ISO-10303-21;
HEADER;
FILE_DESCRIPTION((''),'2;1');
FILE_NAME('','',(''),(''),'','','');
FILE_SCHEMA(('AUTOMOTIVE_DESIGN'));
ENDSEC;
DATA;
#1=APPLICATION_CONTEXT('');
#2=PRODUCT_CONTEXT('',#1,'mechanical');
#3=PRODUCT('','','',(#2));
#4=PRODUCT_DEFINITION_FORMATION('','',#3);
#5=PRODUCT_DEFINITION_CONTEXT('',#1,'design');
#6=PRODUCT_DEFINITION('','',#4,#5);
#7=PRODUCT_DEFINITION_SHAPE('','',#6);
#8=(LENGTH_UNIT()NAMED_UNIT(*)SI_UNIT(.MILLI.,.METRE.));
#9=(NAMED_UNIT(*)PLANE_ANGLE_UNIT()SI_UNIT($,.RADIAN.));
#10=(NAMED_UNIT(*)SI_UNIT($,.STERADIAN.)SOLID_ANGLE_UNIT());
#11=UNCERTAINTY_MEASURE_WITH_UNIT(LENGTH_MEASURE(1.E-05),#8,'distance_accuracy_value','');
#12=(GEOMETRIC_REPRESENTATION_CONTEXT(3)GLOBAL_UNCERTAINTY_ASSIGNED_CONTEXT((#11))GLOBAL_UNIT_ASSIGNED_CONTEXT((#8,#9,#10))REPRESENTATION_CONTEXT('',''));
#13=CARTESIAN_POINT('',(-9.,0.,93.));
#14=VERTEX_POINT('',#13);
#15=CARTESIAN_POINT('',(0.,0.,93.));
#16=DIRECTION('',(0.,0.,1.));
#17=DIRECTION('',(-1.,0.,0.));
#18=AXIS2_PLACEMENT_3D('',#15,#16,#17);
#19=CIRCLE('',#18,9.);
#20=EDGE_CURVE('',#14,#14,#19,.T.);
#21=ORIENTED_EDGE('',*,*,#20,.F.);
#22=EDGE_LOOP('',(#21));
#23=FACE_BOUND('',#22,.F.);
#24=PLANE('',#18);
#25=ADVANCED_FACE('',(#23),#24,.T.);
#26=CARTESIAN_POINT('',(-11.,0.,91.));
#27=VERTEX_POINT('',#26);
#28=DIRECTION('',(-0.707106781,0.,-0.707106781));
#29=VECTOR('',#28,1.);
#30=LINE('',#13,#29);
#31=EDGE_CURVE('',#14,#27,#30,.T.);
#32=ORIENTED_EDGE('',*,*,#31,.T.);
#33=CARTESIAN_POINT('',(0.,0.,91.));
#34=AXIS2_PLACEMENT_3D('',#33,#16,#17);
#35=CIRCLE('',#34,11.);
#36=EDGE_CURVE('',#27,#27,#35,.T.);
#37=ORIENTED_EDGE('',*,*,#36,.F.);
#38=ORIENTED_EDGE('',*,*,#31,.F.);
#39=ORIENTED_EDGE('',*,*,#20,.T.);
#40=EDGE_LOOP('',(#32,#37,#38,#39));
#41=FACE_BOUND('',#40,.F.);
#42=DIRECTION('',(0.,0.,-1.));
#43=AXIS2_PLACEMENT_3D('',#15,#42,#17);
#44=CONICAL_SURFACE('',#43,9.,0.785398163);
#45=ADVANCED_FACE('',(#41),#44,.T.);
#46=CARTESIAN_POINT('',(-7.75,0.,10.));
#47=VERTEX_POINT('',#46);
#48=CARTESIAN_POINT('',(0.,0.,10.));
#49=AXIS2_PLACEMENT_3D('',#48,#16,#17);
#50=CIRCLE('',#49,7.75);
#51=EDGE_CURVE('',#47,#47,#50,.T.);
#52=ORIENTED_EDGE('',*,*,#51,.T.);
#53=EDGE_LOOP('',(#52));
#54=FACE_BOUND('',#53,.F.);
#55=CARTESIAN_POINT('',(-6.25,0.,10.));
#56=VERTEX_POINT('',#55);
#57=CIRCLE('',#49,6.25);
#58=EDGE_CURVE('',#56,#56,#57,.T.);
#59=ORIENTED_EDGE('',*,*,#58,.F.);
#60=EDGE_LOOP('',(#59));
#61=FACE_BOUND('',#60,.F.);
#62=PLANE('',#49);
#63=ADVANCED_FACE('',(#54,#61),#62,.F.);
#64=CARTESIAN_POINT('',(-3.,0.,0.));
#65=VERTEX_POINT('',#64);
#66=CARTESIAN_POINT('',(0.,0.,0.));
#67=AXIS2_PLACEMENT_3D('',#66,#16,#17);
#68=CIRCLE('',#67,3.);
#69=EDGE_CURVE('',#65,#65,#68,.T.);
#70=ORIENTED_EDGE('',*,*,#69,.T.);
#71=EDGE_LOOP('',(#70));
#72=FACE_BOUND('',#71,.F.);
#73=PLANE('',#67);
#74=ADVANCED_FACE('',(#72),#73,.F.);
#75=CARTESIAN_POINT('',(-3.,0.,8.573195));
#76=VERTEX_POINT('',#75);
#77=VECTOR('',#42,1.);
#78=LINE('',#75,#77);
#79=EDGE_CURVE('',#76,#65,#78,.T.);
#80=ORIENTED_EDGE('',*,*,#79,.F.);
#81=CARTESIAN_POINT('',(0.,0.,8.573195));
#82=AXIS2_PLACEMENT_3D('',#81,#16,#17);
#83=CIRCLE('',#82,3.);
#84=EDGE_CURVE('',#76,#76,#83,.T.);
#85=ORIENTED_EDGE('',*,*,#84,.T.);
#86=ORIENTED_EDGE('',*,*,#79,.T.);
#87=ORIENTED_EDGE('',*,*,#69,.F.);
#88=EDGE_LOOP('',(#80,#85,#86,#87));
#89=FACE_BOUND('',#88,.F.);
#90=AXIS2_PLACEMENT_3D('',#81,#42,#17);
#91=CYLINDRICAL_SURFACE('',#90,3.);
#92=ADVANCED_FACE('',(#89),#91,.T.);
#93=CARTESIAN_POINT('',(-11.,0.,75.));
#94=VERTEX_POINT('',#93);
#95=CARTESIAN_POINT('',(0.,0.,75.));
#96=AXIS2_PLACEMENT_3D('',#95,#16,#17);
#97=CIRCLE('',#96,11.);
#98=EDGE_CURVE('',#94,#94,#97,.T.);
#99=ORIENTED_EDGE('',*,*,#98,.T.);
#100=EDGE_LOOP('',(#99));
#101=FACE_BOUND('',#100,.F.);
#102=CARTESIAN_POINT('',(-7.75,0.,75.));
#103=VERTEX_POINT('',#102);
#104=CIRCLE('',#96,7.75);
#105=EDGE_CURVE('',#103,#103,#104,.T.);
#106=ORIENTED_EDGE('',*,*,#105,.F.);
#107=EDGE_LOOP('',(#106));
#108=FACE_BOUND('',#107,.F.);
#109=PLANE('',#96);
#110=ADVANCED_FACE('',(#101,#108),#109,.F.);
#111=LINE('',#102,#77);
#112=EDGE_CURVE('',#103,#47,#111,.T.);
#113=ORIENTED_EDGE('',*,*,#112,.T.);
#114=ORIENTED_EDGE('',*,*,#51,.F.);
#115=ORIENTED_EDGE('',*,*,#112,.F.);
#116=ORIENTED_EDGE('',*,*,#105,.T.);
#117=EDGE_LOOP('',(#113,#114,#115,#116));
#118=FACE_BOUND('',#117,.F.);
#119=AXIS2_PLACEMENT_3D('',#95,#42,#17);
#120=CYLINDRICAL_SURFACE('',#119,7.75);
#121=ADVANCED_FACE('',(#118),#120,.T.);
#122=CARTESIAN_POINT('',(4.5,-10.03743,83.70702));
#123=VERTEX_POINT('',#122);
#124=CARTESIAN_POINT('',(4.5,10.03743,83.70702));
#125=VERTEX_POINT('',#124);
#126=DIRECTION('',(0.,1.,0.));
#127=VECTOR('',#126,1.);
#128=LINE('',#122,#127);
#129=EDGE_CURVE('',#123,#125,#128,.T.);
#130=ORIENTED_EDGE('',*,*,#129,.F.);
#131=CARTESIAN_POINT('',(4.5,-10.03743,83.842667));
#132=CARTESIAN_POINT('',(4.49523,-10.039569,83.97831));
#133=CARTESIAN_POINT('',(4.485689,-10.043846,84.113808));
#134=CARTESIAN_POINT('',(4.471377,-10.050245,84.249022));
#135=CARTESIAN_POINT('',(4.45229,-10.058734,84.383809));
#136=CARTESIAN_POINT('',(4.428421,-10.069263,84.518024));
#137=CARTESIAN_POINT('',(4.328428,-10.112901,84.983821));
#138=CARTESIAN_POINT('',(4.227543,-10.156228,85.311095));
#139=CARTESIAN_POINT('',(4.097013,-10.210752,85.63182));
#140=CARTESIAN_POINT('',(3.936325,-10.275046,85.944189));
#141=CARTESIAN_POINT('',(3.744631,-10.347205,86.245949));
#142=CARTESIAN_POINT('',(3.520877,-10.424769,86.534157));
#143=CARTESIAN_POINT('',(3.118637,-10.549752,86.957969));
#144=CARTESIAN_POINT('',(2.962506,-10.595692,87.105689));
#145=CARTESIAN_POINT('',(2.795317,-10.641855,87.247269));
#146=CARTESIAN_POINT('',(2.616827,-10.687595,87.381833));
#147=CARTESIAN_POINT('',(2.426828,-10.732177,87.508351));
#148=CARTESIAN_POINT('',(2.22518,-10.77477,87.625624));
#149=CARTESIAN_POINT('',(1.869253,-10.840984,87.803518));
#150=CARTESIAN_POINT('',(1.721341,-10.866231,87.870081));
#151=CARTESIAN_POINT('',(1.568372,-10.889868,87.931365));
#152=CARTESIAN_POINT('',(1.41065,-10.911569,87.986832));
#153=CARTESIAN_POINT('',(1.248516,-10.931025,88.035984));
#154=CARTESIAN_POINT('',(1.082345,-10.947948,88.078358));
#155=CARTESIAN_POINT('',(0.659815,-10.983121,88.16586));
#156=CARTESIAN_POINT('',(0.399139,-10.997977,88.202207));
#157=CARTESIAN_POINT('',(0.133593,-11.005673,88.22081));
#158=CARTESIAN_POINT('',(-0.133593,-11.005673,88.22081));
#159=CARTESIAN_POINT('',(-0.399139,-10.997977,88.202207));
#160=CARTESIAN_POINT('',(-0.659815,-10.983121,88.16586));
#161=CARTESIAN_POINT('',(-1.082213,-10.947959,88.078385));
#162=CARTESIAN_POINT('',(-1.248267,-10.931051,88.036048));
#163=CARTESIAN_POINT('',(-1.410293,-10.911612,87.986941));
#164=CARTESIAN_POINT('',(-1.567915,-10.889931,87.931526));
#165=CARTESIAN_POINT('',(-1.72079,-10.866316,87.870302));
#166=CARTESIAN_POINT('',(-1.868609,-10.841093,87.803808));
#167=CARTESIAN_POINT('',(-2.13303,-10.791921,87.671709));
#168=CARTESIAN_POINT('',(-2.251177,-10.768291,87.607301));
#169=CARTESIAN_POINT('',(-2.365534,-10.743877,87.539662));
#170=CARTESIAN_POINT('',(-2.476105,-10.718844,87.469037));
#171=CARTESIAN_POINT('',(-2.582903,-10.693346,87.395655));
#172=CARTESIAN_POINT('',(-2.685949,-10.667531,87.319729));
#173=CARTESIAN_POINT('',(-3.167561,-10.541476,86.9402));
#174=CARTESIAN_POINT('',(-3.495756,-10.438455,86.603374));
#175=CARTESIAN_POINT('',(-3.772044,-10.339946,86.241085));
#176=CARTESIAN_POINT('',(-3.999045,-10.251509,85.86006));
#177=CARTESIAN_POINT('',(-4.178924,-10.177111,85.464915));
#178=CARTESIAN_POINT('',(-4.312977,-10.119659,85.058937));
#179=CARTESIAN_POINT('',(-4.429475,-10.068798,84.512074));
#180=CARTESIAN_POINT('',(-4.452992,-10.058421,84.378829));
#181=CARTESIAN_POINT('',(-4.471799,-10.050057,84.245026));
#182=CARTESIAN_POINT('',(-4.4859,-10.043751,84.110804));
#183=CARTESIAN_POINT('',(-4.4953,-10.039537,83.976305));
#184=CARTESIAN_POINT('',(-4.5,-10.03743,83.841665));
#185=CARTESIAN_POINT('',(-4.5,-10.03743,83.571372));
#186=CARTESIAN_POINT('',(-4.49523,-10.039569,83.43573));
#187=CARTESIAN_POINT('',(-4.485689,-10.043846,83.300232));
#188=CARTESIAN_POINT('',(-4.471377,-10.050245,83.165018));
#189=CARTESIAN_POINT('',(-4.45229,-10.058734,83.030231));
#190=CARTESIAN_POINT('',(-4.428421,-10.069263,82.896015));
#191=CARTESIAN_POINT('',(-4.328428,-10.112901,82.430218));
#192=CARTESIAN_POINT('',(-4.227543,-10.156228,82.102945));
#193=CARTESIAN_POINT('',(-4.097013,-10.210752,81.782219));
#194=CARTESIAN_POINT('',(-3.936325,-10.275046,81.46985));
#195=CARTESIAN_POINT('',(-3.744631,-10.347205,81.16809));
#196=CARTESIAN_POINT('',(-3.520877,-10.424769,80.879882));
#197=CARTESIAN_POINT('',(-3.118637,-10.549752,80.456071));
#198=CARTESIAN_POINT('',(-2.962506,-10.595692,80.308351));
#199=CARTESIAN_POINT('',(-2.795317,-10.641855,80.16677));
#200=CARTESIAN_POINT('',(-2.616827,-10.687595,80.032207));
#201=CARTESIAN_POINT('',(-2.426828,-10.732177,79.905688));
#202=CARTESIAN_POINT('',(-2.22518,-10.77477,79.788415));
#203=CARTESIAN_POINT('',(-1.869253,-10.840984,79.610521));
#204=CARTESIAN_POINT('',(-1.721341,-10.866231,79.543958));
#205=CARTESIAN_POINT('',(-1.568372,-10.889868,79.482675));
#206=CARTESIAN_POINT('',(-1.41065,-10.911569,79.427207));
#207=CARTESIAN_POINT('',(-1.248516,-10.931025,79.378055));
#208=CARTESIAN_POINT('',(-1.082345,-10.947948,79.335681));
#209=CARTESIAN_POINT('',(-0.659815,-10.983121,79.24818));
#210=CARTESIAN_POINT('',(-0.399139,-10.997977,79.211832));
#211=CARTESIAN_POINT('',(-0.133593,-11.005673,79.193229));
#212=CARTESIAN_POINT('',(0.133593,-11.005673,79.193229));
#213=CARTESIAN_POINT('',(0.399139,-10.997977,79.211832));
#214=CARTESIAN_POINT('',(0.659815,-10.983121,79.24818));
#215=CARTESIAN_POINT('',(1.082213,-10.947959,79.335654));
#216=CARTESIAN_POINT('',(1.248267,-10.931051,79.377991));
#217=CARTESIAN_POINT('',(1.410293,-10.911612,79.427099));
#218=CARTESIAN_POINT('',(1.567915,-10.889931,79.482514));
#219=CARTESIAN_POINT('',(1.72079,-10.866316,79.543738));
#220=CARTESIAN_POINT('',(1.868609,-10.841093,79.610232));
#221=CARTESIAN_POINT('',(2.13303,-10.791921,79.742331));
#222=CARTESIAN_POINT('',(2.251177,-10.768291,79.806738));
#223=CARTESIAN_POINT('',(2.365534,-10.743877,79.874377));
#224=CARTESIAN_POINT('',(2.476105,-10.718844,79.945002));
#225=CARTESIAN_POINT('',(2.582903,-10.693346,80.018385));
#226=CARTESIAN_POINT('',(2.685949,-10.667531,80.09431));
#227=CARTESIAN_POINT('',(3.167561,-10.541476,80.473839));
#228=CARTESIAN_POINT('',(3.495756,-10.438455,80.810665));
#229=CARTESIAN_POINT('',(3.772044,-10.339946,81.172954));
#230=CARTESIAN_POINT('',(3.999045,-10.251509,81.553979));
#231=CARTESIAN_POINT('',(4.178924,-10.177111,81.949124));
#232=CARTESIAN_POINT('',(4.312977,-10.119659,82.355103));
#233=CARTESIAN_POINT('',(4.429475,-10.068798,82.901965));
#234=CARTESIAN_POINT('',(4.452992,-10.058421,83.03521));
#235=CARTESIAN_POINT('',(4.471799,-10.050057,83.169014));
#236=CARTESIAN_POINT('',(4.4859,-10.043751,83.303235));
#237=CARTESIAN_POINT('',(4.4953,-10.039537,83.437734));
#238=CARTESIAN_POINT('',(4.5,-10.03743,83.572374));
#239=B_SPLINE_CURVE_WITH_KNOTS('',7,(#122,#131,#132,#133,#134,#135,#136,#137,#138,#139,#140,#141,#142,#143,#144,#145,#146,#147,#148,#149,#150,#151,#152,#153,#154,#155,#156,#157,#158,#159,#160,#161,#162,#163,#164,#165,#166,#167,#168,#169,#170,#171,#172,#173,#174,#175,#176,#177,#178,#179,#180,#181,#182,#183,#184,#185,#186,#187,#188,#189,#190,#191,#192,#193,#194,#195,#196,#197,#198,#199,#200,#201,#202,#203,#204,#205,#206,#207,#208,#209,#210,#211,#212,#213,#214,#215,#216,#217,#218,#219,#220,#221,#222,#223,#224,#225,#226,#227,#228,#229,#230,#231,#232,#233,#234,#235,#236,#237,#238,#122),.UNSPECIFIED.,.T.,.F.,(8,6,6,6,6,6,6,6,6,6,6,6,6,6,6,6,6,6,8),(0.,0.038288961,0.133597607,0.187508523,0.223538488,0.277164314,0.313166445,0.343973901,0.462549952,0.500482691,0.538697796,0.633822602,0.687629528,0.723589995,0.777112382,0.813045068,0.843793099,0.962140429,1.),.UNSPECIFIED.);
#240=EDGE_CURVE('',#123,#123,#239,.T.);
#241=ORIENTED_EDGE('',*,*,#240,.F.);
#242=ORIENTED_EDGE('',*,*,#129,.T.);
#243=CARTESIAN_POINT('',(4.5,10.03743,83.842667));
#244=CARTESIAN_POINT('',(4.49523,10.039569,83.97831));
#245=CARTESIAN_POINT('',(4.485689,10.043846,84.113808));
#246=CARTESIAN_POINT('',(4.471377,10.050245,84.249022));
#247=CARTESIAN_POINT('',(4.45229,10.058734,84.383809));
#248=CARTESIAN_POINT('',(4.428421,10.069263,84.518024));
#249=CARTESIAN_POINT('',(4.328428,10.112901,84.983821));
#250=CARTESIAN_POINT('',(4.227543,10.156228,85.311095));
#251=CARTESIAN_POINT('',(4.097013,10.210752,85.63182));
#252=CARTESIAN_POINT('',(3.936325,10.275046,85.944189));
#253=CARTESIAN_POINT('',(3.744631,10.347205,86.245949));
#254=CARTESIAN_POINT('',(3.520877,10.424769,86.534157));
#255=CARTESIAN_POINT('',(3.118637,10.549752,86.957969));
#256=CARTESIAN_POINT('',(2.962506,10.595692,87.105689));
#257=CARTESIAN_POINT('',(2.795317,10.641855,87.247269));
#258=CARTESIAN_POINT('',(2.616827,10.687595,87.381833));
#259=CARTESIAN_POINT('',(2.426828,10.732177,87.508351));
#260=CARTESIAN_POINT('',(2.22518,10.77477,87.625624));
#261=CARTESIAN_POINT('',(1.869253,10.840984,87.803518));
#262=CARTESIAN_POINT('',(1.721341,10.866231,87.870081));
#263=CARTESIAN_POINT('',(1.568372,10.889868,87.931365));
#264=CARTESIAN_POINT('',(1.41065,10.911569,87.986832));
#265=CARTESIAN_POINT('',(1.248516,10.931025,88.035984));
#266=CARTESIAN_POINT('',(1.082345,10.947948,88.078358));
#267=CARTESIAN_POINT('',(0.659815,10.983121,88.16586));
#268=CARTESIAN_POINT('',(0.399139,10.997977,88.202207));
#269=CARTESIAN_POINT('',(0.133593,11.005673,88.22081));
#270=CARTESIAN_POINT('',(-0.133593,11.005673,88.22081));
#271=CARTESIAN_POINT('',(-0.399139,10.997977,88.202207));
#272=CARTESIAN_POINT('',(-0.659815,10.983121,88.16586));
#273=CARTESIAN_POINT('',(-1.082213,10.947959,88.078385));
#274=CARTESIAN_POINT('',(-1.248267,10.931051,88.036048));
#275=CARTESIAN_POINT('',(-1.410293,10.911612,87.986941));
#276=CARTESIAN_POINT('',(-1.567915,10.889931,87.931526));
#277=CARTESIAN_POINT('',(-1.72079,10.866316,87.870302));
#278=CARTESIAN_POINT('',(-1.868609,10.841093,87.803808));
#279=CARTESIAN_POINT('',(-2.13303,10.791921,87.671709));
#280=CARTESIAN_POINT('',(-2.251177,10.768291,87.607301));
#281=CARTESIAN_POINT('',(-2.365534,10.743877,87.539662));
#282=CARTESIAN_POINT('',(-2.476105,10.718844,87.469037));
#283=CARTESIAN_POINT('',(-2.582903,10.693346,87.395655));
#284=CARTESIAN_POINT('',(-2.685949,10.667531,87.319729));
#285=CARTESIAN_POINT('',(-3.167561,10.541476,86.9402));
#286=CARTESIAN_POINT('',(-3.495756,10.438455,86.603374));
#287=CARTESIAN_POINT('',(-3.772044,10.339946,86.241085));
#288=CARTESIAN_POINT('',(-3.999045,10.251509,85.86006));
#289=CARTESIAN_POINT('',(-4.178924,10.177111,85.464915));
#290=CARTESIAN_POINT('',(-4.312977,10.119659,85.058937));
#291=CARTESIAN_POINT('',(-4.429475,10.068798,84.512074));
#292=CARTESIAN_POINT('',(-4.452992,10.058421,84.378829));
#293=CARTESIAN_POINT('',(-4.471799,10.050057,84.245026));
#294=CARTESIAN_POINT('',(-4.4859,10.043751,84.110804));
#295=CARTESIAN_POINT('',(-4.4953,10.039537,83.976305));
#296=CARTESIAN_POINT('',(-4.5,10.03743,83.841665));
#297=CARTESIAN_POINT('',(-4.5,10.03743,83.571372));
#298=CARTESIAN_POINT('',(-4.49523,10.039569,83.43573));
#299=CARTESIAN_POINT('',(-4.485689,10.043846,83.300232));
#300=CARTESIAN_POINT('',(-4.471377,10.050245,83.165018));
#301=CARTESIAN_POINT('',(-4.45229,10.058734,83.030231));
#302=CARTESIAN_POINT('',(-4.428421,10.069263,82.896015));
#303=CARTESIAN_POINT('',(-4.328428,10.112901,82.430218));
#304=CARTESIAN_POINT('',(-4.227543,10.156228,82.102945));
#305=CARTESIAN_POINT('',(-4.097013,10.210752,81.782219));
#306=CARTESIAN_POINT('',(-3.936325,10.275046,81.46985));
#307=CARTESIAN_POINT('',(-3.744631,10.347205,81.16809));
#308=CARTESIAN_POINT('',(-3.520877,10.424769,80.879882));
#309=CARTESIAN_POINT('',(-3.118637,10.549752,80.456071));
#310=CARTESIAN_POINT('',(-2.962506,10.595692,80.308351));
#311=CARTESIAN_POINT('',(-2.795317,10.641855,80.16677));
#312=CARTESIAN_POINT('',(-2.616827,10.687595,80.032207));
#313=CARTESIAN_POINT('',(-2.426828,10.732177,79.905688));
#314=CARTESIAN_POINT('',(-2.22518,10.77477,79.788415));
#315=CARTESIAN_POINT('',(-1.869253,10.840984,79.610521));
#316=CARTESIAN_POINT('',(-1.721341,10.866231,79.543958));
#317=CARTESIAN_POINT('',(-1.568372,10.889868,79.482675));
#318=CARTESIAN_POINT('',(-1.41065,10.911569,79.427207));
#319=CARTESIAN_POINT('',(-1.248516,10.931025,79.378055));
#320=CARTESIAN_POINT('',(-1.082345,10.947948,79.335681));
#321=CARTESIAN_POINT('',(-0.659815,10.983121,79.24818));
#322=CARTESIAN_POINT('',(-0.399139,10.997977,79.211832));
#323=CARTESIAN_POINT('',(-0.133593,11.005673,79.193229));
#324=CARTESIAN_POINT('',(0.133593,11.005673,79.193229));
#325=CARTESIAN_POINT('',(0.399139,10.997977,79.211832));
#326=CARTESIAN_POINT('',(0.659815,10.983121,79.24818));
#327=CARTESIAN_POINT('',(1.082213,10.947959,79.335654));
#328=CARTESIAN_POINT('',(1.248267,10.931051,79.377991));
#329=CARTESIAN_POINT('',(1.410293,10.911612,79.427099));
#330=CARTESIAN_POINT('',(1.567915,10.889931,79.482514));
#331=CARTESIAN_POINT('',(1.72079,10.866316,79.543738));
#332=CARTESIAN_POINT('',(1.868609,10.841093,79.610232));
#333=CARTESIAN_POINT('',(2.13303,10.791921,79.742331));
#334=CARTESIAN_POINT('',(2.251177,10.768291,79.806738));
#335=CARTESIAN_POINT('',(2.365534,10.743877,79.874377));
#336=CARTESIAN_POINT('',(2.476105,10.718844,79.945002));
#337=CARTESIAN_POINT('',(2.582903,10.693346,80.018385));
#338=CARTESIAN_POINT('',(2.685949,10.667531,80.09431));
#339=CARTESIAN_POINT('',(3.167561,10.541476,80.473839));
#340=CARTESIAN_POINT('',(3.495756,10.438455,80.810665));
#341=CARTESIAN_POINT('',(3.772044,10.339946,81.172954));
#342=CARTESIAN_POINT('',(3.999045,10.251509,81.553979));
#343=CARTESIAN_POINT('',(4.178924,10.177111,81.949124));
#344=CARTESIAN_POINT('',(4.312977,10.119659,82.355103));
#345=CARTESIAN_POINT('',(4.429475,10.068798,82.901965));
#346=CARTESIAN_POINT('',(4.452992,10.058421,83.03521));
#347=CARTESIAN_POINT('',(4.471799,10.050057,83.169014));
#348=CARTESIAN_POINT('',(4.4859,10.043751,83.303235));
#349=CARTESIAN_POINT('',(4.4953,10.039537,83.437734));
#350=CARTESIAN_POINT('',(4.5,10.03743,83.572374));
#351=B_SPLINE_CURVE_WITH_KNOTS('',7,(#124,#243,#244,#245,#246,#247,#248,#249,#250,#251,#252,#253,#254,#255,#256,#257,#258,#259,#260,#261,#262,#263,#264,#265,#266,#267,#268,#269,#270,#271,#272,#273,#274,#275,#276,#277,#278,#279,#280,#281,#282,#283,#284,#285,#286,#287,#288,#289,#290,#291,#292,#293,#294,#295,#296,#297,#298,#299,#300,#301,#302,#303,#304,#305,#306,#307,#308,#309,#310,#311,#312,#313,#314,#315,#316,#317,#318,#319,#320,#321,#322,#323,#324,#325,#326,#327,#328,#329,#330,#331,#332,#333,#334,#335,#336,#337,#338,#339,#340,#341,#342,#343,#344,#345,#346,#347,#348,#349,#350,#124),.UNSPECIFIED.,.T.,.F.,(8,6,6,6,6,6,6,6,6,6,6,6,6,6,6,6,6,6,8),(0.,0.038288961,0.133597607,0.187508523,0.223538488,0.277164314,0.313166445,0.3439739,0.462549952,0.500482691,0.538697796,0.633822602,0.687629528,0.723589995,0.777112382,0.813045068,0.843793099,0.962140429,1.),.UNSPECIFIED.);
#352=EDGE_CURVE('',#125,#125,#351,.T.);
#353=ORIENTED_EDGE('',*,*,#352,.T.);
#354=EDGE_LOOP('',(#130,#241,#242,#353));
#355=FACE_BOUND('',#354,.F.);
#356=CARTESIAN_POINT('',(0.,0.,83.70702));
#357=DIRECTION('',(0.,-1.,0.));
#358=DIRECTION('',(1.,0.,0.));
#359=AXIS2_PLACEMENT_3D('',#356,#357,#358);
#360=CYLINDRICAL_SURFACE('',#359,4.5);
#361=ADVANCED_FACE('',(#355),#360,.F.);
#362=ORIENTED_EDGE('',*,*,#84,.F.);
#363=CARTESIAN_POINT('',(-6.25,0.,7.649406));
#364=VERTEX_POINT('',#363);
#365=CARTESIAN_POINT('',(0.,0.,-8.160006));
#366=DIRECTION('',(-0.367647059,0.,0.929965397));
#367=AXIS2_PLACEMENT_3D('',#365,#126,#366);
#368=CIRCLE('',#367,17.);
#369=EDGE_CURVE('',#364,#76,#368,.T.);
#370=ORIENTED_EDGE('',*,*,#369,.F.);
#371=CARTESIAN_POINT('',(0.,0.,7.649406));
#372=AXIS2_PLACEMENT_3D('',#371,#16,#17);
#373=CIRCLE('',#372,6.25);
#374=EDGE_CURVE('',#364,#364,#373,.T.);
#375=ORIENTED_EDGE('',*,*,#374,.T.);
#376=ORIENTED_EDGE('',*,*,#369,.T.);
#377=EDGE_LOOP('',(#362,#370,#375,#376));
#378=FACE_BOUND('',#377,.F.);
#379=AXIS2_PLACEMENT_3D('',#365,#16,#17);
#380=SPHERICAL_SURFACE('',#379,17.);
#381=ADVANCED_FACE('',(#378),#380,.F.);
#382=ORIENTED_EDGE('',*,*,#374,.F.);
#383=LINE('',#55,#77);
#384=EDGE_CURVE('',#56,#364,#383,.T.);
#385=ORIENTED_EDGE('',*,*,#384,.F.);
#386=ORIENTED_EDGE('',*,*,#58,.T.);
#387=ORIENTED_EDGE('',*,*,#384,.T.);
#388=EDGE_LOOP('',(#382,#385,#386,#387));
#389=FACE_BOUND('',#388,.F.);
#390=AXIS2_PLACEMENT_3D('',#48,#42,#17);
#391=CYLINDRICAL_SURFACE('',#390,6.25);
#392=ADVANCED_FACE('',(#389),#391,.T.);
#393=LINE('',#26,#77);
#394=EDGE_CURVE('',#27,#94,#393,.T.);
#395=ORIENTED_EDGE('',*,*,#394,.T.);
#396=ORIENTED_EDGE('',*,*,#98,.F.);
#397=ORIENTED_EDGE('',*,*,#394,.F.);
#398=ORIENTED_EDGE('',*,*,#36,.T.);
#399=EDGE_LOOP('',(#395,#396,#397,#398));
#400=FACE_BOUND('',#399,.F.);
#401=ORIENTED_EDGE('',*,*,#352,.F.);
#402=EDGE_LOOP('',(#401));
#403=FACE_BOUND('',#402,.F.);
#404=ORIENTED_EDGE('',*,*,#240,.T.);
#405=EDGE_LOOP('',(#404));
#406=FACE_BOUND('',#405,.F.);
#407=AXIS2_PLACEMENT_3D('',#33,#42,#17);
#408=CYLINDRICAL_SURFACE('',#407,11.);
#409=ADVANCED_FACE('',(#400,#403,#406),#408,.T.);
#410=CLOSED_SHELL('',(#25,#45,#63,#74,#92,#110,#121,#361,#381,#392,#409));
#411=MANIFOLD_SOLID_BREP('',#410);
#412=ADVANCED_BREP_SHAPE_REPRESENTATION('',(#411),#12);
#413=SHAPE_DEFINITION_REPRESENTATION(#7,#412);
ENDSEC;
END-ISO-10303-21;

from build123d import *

# Parameters (mm, degrees)
F2_R          = 4.5
F3_DEPTH      = 11.001
F3_DEPTH_BACK = 11.001


with BuildPart() as f1:
    # F0 (on Front) → F1 (revolve)
    with BuildSketch(Plane.XZ):
        with BuildLine():
            Line((0, 93), (-9, 93))
            Line((-9, 93), (-11, 91))
            Line((-11, 91), (-11, 75))
            Line((-11, 75), (-7.75, 75))
            Line((-7.75, 75), (-7.75, 10))
            Line((-7.75, 10), (-6.25, 10))
            Line((-6.25, 10), (-6.25, 7.6494061584))
            ThreePointArc((-6.25, 7.6494061584), (-4.6480072532, 8.1922428302), (-3, 8.5731949353))
            Line((-3, 8.5731949353), (-3, 0))
            Line((-3, 0), (0, 0))
            Line((0, 0), (0, 93))
        make_face()
    revolve(axis=Axis((0, 0, 43.9324835315), (0, 0, 1)))

    # F2 (on Front) → F3 (cut, two sides)
    with BuildSketch(Plane.XZ) as f3_sk:
        with Locations((0, 83.7070196867)):
            Circle(F2_R)
    extrude(amount=-F3_DEPTH, mode=Mode.SUBTRACT)
    extrude(f3_sk.sketch, amount=F3_DEPTH_BACK, mode=Mode.SUBTRACT)


solid = f1.part
